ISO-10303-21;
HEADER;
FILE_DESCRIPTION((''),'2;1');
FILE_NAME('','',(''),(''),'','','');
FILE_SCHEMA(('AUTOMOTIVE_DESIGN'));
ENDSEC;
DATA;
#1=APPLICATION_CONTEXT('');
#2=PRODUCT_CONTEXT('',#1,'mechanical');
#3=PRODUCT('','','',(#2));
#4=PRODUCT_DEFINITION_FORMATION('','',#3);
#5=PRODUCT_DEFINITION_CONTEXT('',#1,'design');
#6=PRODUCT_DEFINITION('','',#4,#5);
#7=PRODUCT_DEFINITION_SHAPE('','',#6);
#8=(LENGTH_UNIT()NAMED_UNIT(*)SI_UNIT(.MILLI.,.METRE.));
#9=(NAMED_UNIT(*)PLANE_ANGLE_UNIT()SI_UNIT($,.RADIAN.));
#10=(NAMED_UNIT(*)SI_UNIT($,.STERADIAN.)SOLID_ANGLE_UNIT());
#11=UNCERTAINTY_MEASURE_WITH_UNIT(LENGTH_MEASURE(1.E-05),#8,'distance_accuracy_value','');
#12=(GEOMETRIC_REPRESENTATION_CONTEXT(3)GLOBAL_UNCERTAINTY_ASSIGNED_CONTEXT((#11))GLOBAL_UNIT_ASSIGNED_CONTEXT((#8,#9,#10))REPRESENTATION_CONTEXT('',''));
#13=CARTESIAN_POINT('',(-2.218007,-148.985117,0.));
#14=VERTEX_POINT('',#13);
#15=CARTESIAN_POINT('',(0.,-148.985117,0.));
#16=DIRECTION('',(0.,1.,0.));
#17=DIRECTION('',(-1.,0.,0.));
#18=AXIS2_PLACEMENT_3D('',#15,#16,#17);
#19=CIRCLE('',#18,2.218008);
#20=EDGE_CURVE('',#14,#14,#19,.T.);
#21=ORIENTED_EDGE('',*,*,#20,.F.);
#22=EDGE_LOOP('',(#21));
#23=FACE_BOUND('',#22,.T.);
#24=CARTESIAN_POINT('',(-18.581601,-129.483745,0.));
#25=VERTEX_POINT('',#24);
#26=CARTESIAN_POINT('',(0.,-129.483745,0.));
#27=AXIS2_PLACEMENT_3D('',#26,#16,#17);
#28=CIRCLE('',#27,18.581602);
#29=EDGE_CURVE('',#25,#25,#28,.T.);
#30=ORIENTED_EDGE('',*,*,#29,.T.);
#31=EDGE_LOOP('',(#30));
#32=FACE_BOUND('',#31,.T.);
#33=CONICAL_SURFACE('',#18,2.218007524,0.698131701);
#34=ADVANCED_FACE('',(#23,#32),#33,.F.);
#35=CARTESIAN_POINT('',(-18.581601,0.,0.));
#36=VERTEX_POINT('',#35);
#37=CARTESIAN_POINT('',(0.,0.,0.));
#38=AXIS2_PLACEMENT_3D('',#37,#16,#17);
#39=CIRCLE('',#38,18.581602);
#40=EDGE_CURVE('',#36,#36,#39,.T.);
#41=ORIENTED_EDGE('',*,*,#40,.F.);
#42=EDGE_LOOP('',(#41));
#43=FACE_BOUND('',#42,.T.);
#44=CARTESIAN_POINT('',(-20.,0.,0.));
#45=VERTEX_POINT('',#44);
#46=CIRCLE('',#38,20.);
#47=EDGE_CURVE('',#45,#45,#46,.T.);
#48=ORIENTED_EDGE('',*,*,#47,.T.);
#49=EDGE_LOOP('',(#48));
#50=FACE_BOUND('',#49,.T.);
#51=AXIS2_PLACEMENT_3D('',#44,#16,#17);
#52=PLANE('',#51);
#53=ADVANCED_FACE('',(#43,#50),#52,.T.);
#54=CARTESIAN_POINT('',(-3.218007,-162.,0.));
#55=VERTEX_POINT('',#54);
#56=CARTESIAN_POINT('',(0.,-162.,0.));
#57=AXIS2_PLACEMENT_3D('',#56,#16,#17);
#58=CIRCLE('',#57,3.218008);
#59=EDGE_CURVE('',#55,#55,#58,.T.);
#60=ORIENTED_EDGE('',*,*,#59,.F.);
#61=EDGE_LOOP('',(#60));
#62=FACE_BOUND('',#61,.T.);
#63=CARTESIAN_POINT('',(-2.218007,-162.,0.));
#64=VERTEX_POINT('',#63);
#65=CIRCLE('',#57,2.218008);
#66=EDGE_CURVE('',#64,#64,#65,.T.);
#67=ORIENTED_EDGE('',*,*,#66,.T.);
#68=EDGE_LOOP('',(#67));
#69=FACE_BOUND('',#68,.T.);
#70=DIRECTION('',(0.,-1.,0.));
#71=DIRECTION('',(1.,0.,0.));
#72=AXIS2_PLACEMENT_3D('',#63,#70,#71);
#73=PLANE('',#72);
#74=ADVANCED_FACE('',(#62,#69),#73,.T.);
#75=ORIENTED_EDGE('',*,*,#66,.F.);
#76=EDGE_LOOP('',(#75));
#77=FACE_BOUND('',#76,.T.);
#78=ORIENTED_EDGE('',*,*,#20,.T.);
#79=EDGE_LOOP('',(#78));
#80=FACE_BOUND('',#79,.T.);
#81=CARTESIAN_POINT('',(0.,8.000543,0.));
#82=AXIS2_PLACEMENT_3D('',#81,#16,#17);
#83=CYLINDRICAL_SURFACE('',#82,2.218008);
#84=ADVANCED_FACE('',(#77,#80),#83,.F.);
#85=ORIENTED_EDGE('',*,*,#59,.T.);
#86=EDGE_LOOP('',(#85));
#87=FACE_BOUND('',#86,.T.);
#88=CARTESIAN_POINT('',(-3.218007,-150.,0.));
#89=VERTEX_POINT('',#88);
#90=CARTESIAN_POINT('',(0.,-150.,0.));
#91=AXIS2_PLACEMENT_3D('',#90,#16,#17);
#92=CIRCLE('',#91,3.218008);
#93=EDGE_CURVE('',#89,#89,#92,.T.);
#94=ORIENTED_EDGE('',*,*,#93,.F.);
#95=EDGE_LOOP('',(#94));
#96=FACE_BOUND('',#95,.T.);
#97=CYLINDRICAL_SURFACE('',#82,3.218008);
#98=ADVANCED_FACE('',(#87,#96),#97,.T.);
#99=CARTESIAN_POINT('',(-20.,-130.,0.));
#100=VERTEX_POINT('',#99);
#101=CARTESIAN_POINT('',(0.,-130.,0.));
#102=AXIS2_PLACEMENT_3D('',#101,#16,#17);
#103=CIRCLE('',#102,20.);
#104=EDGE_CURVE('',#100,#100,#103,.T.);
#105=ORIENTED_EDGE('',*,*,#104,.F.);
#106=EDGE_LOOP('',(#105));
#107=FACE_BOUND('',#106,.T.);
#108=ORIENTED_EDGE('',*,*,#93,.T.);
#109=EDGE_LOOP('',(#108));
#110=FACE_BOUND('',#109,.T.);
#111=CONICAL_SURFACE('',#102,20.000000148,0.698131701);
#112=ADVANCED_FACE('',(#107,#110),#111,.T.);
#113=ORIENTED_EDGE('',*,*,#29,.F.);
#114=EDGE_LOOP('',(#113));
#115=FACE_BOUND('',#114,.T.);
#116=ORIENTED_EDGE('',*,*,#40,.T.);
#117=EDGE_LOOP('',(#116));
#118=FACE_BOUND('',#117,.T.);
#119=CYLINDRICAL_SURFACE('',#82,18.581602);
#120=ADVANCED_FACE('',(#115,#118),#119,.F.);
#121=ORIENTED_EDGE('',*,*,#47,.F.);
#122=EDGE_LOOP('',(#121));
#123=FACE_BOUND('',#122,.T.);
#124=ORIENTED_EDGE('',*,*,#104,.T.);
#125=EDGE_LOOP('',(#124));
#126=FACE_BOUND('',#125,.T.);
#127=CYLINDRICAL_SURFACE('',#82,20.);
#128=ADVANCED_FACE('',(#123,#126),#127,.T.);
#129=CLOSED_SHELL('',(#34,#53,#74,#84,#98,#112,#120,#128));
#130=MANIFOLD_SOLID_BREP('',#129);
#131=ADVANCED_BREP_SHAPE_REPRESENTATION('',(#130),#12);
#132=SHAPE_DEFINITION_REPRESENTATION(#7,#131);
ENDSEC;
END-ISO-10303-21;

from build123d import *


with BuildPart() as part:
    # Sketch1 → Revolve2 (revolve)
    with BuildSketch(Plane.XY):
        Polygon((-18.581601377, 0), (-18.581601377, -129.483745121), (-2.218007376, -148.985117058), (-2.218007376, -162), (-3.218007376, -162), (-3.218007376, -150), (-20, -130), (-20, 0), align=None)
    revolve(axis=Axis((1.48e-07, 8.000543494, 0), (0, -1, 0)))


solid = part.part
